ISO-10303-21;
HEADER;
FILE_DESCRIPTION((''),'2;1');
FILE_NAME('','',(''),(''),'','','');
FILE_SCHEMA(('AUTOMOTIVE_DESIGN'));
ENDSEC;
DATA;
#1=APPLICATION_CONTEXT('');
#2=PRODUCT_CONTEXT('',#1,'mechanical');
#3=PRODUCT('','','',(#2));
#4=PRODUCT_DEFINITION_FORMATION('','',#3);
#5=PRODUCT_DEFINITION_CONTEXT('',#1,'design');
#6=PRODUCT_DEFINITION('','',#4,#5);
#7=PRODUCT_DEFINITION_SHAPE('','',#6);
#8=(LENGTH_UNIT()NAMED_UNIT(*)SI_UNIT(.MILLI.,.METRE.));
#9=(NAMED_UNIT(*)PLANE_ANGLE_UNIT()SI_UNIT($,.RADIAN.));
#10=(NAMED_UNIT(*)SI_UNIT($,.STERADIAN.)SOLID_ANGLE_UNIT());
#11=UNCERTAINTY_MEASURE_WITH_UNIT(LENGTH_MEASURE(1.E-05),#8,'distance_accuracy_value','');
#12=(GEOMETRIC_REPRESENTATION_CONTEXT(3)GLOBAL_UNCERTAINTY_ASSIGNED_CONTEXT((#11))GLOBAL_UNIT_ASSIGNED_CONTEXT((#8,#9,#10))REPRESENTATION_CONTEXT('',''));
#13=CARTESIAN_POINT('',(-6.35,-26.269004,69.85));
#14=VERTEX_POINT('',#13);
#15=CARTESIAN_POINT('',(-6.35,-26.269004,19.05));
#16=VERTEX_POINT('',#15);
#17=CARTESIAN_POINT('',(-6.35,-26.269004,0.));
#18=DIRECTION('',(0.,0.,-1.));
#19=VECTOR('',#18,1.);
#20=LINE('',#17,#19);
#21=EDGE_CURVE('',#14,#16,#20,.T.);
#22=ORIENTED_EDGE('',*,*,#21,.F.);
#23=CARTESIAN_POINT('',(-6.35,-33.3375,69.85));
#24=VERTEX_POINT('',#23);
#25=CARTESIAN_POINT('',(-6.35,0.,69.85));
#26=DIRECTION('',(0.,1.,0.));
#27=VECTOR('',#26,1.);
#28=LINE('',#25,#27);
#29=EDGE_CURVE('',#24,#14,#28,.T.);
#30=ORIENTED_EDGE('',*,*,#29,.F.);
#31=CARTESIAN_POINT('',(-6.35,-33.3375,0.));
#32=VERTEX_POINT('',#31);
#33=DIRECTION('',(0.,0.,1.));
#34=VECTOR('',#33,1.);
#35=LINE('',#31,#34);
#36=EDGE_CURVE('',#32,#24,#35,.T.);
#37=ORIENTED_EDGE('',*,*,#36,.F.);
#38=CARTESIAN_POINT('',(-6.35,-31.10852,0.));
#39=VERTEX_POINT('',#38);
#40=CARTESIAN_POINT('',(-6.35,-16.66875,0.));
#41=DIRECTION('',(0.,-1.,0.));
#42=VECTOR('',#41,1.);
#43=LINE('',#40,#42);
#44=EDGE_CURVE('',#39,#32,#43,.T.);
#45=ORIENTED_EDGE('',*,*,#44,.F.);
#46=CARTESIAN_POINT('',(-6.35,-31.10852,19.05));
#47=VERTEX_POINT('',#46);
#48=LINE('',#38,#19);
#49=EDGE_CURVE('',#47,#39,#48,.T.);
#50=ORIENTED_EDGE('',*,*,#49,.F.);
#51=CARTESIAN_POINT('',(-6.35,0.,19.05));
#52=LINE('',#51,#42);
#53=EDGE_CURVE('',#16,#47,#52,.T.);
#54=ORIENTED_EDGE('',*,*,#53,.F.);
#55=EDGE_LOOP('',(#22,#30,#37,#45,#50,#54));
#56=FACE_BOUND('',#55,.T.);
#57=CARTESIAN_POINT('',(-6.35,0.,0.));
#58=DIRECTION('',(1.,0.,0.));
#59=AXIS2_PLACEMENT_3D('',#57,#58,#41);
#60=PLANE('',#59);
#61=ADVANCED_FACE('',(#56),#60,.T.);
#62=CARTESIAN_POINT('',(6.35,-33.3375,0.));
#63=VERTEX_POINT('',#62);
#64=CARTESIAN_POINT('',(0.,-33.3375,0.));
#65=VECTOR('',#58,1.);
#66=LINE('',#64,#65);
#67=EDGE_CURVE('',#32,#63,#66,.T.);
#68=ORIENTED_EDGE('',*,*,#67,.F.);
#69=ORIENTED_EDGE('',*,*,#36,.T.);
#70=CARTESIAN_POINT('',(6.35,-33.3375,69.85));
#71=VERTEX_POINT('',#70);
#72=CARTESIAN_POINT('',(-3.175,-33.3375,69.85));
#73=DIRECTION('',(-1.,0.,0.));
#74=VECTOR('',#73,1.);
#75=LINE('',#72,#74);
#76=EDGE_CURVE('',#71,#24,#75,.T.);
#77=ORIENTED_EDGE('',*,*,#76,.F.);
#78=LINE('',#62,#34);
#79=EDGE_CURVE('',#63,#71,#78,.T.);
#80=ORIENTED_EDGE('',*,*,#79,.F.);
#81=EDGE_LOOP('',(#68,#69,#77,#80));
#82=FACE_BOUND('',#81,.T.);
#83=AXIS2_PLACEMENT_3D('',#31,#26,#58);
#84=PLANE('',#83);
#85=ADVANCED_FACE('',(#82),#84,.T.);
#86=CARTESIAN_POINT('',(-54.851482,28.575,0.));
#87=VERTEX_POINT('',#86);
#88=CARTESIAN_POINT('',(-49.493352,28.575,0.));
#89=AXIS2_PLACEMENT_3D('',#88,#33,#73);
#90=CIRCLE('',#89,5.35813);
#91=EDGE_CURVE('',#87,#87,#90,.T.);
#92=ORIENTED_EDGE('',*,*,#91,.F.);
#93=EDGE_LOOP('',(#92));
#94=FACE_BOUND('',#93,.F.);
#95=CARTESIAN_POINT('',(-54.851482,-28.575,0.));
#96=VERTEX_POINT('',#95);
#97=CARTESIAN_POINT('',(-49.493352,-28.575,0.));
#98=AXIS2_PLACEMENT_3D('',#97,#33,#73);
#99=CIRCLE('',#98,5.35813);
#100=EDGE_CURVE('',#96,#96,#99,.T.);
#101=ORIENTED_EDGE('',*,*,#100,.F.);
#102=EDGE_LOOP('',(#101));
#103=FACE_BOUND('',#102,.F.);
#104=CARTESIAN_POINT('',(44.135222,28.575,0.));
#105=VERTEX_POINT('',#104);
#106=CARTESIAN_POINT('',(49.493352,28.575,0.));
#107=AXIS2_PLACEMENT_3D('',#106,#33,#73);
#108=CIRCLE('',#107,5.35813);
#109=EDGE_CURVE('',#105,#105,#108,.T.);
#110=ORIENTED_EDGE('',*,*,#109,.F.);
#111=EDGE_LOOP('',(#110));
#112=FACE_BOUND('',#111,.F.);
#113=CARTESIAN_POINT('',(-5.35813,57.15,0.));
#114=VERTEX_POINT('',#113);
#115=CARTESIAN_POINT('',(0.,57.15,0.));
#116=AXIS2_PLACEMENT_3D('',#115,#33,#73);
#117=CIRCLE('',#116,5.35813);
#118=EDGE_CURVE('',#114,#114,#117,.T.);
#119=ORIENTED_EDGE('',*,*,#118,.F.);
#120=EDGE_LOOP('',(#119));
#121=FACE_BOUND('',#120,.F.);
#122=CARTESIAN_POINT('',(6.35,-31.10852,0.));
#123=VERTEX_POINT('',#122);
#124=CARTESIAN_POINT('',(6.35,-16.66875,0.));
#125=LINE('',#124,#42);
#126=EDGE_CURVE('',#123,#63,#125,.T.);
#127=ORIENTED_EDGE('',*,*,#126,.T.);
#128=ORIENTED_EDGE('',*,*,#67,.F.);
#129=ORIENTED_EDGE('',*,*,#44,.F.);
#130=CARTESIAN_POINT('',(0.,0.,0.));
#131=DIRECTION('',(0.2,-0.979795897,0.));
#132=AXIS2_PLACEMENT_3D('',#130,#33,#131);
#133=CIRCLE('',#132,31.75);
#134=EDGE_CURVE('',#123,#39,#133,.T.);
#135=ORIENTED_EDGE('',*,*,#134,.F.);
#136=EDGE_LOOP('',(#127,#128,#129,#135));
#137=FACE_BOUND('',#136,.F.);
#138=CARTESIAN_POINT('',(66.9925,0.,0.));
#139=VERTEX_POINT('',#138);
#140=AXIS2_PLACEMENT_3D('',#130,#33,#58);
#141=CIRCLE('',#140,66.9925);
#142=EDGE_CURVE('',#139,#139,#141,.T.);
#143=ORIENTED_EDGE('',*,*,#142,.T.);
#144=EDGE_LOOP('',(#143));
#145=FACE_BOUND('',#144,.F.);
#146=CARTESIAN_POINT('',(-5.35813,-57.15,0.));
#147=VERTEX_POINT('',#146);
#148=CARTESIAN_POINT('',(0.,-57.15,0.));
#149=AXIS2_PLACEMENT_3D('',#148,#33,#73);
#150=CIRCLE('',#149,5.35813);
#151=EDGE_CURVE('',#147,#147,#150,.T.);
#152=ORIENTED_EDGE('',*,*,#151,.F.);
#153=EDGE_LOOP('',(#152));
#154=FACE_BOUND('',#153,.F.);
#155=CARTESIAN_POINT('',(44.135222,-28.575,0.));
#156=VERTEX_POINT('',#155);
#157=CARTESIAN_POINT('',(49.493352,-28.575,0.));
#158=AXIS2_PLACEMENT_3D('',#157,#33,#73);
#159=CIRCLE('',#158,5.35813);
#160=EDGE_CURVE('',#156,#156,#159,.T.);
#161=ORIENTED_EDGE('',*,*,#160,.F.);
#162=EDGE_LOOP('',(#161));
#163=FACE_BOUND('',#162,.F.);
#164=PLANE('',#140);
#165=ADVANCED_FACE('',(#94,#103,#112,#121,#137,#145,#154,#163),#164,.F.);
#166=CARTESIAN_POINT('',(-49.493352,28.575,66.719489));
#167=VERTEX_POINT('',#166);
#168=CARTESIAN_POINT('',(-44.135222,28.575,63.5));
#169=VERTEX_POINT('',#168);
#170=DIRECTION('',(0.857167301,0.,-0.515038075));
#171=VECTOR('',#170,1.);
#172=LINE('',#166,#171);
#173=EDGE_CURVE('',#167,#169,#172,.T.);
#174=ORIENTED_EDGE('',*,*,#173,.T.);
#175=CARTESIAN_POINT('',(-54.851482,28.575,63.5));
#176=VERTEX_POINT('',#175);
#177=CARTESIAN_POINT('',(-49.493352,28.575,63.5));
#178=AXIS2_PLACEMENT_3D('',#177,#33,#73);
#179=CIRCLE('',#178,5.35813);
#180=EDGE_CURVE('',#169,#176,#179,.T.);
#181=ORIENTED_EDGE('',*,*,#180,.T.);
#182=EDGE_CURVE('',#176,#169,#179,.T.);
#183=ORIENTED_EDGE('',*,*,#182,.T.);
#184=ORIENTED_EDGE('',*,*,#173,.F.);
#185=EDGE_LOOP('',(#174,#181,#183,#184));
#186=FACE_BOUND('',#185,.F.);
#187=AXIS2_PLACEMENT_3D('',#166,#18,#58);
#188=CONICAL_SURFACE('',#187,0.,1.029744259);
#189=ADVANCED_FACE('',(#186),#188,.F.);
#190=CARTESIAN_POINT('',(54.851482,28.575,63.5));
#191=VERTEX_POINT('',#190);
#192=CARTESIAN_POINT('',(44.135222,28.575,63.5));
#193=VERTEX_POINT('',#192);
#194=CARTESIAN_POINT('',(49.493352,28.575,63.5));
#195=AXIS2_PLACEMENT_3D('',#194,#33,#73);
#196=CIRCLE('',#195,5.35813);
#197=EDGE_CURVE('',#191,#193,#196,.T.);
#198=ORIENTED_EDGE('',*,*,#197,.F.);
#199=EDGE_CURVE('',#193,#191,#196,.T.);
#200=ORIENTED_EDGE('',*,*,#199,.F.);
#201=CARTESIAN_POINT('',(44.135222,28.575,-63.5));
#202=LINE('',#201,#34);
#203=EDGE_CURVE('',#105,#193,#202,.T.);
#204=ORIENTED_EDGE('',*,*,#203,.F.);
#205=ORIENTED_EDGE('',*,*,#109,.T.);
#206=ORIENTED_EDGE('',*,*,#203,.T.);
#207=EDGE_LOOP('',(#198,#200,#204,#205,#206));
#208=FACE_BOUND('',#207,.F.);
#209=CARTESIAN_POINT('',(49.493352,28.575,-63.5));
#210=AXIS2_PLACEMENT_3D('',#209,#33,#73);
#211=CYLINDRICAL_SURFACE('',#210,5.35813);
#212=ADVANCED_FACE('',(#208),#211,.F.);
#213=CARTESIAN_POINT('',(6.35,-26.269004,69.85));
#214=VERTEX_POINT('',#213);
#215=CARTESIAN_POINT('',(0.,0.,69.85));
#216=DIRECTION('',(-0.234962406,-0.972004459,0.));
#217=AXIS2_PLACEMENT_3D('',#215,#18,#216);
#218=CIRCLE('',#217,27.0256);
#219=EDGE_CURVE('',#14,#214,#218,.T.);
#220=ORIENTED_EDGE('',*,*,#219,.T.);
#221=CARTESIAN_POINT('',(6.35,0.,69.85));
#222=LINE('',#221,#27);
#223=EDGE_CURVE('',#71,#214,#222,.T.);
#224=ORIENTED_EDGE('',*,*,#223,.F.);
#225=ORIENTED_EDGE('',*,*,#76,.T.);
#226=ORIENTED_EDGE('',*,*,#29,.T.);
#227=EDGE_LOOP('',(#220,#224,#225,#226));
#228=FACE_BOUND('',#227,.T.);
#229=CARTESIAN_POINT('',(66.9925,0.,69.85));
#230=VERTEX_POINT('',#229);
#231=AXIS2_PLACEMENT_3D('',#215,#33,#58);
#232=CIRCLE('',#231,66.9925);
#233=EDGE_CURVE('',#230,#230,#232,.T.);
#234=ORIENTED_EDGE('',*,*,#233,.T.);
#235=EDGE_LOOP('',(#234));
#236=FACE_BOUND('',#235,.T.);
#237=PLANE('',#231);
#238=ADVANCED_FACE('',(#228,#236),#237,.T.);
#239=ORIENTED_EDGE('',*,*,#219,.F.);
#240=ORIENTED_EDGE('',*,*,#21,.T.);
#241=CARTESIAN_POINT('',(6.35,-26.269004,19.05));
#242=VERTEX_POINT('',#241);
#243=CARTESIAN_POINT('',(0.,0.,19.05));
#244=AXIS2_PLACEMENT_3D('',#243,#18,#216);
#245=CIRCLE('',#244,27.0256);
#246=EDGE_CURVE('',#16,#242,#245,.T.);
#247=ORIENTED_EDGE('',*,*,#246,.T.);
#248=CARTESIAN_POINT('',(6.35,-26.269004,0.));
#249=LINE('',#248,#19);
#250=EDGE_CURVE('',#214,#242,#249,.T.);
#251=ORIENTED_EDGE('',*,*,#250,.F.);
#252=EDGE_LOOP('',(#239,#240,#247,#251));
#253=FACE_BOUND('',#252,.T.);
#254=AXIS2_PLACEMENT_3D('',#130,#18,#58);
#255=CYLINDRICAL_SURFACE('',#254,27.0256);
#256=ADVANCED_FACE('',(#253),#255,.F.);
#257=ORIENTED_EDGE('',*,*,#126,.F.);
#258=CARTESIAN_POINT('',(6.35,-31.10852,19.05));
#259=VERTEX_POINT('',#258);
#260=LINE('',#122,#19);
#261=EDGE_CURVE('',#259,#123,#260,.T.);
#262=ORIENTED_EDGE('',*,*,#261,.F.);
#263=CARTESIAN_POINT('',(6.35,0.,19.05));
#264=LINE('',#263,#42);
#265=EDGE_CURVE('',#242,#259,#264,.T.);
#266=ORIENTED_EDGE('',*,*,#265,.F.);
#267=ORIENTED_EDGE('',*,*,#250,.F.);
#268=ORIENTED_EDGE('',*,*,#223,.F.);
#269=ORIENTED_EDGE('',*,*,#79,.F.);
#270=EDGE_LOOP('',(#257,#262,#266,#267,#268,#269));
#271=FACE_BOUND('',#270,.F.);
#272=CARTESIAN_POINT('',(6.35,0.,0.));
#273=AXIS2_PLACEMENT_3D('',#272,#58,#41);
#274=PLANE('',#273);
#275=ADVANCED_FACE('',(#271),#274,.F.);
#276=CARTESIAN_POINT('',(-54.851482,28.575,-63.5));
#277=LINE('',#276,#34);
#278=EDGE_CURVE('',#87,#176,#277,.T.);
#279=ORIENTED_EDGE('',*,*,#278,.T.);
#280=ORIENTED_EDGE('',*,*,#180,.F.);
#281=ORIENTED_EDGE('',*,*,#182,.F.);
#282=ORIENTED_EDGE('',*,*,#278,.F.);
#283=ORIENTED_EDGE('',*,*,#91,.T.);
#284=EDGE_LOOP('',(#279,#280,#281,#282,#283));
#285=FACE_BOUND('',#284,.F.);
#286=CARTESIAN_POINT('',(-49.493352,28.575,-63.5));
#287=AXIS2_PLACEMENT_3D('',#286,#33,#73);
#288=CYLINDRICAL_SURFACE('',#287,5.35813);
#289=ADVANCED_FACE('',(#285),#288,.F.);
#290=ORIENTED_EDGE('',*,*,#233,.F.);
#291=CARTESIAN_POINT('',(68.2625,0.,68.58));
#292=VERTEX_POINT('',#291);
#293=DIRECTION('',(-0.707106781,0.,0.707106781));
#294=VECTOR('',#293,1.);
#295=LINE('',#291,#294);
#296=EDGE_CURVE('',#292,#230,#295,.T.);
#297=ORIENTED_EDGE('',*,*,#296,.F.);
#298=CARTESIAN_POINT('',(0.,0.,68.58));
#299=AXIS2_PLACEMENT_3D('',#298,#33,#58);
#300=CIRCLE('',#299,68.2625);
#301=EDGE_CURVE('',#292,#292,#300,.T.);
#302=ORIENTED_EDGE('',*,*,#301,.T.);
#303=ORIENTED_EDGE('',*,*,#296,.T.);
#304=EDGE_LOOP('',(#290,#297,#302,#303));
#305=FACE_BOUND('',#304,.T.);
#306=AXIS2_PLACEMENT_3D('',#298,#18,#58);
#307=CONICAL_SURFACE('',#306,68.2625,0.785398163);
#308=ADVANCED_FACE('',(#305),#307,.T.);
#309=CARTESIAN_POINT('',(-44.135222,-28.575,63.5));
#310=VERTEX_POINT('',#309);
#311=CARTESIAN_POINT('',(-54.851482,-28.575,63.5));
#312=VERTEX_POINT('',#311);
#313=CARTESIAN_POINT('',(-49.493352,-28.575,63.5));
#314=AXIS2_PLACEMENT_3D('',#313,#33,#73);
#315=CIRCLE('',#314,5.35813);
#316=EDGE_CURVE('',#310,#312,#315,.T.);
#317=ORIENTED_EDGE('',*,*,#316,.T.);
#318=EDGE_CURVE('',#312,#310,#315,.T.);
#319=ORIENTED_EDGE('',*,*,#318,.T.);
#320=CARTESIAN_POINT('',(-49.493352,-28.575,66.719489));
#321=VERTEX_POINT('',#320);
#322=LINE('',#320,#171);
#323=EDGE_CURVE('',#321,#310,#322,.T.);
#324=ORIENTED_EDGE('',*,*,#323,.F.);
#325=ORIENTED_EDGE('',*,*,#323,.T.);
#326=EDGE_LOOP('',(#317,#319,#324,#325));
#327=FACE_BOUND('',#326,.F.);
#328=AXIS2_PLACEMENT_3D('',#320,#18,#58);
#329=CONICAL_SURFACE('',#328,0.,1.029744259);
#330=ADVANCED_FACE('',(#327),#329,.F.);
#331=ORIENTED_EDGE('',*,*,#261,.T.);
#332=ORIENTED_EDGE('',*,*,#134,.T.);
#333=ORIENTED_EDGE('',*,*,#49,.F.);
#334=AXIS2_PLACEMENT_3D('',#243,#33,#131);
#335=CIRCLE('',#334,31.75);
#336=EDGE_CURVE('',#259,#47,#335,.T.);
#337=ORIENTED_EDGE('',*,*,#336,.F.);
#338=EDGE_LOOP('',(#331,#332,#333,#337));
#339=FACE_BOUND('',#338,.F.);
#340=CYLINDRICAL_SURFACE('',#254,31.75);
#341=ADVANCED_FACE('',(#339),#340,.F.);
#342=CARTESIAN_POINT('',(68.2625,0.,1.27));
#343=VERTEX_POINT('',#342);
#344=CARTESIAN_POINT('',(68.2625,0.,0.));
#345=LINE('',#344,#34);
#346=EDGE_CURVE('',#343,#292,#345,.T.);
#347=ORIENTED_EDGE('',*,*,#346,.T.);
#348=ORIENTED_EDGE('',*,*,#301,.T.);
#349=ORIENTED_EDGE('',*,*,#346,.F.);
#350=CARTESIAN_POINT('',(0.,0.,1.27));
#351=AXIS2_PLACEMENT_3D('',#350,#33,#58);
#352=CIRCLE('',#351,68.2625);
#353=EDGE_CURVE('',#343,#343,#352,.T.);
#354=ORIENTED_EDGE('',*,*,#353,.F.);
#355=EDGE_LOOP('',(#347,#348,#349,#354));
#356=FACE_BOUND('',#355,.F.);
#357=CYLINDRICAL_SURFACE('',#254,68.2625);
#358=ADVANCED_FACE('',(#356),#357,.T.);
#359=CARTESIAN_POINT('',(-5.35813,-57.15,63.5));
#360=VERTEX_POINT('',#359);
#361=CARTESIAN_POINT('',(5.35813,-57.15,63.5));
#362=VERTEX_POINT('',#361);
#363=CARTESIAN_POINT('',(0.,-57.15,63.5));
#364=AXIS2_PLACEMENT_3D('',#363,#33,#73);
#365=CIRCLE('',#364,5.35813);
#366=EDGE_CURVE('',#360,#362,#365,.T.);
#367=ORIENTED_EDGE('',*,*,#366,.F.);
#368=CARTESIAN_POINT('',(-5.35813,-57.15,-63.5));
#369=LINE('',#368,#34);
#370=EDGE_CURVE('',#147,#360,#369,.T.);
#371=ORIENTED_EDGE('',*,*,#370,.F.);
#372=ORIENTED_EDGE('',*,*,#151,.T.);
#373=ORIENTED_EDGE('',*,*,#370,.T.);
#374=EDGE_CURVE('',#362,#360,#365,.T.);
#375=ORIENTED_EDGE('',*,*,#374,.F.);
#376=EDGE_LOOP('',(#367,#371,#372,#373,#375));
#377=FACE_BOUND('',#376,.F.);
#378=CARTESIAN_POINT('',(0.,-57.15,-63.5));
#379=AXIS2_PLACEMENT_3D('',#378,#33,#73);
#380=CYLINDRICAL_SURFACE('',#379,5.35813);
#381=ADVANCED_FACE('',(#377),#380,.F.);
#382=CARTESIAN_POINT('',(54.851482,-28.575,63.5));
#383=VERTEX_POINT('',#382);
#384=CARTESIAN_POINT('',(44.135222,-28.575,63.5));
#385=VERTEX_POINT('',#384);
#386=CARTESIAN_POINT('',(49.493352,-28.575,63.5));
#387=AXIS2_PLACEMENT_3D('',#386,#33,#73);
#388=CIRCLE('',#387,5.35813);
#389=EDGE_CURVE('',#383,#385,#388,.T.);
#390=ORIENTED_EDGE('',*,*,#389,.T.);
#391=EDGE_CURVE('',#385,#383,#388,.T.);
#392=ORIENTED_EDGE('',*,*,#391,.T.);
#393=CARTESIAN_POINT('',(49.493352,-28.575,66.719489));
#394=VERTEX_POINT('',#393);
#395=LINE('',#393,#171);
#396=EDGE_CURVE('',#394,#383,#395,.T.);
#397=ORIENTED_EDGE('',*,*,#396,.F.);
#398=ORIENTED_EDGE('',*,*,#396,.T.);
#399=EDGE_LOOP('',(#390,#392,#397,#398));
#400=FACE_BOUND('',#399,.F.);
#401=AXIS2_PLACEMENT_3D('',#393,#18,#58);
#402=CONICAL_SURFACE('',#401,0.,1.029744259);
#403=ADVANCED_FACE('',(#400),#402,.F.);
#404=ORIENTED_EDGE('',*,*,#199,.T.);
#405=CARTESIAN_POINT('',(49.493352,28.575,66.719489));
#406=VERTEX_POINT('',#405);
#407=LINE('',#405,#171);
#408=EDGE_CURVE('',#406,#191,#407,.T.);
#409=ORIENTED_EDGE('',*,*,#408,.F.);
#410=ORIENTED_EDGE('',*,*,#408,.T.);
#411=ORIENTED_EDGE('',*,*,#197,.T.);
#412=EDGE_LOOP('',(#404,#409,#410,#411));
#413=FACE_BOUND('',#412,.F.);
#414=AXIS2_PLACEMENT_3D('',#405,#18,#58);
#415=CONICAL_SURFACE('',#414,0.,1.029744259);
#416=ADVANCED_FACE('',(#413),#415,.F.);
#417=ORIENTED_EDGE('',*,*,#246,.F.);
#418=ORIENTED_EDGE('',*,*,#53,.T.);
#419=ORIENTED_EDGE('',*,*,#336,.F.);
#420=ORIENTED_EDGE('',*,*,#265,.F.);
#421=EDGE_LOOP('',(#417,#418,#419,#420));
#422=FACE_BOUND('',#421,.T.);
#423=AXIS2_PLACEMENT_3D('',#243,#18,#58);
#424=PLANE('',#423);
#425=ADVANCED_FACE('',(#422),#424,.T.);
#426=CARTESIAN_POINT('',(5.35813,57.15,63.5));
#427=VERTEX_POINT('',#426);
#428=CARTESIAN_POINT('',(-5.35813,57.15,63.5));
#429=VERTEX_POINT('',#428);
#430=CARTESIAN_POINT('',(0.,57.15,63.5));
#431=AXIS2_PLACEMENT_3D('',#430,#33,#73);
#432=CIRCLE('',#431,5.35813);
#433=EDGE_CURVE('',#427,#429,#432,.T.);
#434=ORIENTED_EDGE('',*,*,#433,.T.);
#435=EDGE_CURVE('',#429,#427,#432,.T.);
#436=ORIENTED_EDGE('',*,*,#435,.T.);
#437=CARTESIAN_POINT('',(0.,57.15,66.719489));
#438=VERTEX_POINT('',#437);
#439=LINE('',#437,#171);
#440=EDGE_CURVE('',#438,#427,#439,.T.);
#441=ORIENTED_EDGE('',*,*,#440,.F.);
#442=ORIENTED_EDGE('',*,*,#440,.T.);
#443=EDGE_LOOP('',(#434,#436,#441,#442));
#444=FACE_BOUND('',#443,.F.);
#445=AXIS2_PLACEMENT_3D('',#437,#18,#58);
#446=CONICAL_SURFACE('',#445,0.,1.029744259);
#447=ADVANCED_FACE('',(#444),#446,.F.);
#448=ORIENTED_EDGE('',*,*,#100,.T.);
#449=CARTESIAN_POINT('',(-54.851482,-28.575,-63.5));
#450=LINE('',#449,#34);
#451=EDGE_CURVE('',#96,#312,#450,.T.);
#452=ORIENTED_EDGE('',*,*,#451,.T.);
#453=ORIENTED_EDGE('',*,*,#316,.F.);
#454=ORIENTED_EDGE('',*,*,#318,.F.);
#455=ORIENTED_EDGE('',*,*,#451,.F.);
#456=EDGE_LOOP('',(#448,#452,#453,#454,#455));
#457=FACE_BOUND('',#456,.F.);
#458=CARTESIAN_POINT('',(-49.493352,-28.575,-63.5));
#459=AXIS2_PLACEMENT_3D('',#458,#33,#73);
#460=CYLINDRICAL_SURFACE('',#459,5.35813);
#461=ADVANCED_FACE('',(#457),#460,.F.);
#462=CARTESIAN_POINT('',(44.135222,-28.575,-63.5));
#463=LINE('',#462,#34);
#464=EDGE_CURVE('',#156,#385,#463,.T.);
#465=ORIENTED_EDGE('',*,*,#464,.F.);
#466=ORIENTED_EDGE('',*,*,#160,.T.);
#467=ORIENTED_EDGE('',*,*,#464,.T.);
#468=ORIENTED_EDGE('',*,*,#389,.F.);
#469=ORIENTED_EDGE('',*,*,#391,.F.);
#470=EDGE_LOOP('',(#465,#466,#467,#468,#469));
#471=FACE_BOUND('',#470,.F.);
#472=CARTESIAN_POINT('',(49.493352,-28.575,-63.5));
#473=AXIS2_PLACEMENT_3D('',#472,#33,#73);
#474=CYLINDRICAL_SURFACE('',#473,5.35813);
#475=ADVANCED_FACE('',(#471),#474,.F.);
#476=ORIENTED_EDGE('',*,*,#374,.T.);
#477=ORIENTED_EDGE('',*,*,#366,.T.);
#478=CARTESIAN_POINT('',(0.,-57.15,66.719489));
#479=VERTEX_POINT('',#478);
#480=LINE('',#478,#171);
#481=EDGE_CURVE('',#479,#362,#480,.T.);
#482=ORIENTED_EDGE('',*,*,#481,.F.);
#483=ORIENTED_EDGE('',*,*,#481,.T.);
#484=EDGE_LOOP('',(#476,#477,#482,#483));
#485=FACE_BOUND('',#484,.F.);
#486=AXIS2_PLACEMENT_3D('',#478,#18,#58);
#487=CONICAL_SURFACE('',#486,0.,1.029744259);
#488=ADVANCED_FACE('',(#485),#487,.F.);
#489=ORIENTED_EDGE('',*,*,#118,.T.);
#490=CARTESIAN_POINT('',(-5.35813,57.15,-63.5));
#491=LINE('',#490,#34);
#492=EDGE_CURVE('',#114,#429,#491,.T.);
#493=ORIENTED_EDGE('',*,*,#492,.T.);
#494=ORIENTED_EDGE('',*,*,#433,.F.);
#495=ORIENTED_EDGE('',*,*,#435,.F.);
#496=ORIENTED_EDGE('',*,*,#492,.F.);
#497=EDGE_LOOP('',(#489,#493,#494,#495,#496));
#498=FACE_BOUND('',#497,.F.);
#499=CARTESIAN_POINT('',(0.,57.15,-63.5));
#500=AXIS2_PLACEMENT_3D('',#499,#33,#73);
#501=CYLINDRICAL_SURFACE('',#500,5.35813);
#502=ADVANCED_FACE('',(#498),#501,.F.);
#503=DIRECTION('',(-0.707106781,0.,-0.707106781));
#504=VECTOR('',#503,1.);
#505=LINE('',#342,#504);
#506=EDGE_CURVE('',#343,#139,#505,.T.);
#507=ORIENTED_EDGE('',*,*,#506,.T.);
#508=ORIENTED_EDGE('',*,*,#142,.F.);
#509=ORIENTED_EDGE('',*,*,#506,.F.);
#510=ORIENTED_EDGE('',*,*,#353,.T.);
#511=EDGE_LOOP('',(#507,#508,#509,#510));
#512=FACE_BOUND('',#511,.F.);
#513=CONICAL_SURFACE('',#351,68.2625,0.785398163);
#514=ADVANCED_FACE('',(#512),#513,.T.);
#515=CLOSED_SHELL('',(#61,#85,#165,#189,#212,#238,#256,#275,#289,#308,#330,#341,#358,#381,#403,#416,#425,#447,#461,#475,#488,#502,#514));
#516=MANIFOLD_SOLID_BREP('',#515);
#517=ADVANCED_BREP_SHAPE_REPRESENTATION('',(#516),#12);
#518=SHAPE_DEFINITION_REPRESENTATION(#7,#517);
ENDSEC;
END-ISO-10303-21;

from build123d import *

# Parameters (mm, degrees)
F0_R     = 68.2625
F0_R_2   = 27.0256
F1_DEPTH = 69.85
F3_R     = 31.75
F4_DEPTH = 19.05
F5_W     = 12.7
F5_H     = 33.3375
F6_DEPTH = 69.851
F7_SIZE  = 1.27
F8_D     = 10.71626
F8_DEPTH = 63.5
F8_TIP   = 3.2194893086


with BuildPart() as f1:
    # F0 (on Top) → F1 (new body)
    with BuildSketch(Plane.XY):
        Circle(F0_R)
        Circle(F0_R_2, mode=Mode.SUBTRACT)
    extrude(amount=F1_DEPTH)

    # F3 (on face) → F4 (cut)
    with BuildSketch(Plane(origin=(0, 0, 0), x_dir=(1, 0, 0), z_dir=(0, 0, -1))):
        Circle(F3_R)
    extrude(amount=-F4_DEPTH, mode=Mode.SUBTRACT)

    # F5 (on face) → F6 (cut, through all)
    with BuildSketch(Plane(origin=(0, 0, 0), x_dir=(1, 0, 0), z_dir=(0, 0, -1))):
        with Locations((0, 16.66875)):
            Rectangle(F5_W, F5_H)
    extrude(amount=-F6_DEPTH, mode=Mode.SUBTRACT)

    # F7
    f7_edges = [f1.edges().sort_by_distance(p)[0] for p in [
        (-68.2625, 0, 69.85),
        (-68.2625, 0, 0),
    ]]
    chamfer(f7_edges, length=F7_SIZE)

    # F8
    with Locations(Plane(origin=(0, 0, 0), x_dir=(1, 0, 0), z_dir=(0, 0, -1))):
        with Locations((0, 57.15), (-49.4933518263, 28.575), (49.4933518263, 28.575), (49.4933518263, -28.575), (0, -57.15), (-49.4933518263, -28.575)):
            Hole(F8_D / 2, depth=F8_DEPTH)
            with Locations((0, 0, -(F8_DEPTH + F8_TIP / 2))):  # 118° drill point
                Cone(0, F8_D / 2, F8_TIP, mode=Mode.SUBTRACT)


solid = f1.part
